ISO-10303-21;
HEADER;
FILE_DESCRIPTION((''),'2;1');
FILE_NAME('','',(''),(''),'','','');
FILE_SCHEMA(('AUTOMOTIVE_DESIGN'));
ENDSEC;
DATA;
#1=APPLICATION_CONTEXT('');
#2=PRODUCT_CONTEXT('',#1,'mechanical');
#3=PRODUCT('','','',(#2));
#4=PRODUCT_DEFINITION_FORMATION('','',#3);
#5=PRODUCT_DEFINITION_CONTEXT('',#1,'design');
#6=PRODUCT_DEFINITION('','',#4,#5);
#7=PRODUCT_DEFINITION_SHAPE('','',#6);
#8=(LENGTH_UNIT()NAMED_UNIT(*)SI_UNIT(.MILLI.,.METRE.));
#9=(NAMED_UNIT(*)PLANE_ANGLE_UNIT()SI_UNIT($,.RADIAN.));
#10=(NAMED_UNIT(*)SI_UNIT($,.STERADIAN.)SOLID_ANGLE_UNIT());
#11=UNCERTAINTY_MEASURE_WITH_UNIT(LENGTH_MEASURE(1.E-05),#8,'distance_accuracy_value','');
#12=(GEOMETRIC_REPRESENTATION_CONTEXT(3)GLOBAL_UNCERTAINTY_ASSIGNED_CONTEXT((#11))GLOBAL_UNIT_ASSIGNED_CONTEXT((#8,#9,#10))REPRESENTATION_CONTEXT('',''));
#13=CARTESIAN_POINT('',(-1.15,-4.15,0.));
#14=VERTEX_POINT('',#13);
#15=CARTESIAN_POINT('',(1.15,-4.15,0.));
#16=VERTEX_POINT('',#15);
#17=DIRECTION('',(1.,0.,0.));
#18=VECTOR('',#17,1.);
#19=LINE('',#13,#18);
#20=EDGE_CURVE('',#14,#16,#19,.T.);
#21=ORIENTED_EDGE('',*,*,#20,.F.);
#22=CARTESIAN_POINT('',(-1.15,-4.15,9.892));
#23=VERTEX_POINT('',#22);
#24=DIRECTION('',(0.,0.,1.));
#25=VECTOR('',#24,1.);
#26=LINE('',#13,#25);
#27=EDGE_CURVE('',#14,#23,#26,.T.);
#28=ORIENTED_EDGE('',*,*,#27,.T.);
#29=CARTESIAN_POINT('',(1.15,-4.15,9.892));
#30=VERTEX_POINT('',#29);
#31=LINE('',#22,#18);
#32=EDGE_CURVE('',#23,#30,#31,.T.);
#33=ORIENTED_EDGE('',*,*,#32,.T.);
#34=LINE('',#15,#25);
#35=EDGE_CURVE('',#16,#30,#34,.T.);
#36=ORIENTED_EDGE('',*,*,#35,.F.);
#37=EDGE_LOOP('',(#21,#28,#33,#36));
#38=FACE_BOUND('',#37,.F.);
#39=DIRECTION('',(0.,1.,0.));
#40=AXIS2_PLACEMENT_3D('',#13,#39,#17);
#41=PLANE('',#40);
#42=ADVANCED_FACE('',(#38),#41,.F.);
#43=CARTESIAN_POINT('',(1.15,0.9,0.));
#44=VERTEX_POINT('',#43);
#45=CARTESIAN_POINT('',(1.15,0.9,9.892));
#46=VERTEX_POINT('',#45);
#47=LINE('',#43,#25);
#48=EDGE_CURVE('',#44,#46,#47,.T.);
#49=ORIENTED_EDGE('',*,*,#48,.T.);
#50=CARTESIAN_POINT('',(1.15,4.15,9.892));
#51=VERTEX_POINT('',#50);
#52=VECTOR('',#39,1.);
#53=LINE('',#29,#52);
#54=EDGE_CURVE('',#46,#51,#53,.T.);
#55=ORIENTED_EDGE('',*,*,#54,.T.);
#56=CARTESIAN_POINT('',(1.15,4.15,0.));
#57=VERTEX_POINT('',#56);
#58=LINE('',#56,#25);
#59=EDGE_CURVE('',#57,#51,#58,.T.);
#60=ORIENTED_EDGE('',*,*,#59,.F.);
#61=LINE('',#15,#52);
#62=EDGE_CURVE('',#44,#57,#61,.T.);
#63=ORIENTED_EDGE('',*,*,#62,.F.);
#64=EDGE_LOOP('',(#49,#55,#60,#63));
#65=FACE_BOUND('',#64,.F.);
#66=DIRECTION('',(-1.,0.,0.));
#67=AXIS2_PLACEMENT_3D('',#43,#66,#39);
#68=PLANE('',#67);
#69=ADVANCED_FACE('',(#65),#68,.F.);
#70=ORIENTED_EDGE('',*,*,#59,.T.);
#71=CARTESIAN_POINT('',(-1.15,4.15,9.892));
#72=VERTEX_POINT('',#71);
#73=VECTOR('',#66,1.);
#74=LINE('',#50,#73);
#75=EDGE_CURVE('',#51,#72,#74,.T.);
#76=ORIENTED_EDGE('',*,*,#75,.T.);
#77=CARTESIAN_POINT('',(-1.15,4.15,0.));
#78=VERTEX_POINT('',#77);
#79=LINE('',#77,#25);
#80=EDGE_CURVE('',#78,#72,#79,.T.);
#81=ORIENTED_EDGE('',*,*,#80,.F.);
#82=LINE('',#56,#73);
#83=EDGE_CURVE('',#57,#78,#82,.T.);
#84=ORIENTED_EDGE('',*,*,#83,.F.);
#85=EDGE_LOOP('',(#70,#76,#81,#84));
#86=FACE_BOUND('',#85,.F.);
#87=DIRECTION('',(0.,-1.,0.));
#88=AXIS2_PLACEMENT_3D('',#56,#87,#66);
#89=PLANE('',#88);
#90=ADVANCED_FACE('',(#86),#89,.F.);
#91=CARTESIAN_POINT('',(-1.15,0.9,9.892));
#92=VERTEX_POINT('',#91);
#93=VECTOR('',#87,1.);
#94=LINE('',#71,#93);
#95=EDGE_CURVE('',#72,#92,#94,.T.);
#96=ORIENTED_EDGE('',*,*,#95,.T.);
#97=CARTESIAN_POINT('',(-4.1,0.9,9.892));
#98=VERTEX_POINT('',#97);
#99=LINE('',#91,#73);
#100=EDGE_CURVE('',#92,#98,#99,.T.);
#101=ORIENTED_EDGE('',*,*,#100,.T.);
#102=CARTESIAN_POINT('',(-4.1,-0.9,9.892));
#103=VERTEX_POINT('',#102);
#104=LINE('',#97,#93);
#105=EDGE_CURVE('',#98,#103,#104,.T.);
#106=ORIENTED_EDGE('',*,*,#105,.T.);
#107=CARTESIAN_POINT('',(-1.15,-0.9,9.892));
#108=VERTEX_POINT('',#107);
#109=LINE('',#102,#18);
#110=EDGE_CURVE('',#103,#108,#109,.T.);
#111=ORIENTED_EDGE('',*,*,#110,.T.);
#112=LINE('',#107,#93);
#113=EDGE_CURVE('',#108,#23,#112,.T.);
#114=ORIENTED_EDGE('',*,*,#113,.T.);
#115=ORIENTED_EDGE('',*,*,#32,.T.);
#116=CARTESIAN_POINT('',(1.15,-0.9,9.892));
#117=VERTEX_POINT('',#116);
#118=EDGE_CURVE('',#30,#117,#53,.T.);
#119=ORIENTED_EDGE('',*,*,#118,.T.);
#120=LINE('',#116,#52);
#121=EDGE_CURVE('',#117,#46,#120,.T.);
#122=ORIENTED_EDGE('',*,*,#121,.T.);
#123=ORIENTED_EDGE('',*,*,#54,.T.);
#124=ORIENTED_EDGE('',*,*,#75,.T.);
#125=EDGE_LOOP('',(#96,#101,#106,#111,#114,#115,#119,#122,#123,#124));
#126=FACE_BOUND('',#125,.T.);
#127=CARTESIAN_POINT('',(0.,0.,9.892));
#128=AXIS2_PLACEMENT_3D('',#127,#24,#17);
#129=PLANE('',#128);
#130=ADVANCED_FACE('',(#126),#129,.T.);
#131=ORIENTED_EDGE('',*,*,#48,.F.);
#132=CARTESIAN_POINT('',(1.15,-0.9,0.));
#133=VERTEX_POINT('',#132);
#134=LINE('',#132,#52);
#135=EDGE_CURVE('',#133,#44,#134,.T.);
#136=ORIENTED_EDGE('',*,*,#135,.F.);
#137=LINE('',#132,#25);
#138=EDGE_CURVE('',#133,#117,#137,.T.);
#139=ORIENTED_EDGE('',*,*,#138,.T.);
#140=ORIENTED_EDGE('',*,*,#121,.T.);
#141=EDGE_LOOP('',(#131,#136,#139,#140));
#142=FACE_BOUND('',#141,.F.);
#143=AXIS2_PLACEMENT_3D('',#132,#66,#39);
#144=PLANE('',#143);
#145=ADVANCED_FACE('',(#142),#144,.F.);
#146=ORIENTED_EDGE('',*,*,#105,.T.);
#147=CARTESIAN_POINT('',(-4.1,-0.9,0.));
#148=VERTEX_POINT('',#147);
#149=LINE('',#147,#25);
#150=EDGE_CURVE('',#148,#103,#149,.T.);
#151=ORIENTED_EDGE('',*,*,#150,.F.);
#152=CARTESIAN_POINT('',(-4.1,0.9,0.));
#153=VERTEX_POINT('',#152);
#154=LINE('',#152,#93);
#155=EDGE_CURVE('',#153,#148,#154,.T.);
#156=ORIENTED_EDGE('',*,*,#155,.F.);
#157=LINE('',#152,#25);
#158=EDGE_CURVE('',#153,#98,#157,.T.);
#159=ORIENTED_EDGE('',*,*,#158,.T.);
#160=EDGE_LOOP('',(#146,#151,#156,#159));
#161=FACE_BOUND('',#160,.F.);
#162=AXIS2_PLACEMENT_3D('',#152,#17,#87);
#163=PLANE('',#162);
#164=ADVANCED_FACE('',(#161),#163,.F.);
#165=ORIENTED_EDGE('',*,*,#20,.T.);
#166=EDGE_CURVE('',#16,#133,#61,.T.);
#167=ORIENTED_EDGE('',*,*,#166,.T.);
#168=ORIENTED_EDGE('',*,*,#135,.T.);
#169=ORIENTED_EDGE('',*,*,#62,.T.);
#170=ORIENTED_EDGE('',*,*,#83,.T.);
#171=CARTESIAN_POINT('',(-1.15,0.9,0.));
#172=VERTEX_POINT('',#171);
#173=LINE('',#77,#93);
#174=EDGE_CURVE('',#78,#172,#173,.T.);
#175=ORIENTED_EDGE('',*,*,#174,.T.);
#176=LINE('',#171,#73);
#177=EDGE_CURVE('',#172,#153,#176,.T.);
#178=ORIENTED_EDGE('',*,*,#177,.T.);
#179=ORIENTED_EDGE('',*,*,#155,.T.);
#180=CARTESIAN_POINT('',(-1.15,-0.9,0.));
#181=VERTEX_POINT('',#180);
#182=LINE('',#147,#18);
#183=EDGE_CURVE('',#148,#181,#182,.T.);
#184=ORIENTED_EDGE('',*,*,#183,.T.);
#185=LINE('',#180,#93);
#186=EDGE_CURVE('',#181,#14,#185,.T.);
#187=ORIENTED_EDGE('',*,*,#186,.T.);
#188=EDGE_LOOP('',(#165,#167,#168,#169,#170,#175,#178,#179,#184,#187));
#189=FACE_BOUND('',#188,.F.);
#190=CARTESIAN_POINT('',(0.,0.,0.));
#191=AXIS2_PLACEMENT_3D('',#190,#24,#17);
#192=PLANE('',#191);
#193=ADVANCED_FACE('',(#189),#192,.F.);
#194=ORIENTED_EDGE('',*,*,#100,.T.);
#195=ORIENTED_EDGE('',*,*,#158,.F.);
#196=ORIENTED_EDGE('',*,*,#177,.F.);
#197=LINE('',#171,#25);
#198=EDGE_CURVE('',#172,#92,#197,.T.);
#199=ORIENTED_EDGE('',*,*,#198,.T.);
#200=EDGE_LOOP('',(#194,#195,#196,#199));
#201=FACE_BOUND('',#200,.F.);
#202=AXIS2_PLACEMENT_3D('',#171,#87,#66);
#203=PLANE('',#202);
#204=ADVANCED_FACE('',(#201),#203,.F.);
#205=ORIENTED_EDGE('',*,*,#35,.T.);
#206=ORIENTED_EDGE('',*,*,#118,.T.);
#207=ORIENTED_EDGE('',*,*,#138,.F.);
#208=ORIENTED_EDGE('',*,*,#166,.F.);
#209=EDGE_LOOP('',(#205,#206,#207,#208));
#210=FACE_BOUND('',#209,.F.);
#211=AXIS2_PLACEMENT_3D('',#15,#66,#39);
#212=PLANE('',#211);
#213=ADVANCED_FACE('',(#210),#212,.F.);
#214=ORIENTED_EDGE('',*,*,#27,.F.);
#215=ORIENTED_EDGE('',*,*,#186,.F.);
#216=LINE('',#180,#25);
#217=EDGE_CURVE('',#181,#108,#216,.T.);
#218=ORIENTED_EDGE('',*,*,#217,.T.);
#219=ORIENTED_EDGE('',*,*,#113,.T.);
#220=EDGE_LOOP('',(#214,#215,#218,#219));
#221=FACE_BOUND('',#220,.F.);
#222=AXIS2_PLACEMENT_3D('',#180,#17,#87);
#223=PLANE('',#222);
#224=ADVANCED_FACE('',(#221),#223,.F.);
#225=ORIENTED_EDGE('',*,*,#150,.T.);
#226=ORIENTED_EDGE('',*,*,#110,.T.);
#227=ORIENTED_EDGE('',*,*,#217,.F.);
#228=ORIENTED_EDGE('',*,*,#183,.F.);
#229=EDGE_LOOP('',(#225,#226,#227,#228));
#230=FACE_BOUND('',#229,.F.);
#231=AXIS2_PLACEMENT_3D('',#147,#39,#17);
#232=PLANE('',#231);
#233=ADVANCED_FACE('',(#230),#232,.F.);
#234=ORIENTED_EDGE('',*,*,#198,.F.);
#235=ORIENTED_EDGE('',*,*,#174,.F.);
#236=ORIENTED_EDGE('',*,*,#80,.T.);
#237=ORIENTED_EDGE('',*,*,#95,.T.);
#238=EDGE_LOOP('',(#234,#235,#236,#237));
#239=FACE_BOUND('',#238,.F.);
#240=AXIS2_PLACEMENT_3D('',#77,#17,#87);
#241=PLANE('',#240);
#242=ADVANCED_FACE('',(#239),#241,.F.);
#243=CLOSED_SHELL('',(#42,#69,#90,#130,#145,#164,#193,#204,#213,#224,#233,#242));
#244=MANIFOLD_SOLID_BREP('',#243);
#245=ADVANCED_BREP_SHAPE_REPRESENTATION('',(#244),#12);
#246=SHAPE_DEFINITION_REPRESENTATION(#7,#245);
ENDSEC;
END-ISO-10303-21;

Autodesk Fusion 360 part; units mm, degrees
sketch "Sketch5" plane through (0, 0, 0) normal (0, 0, 1) x (1, 0, 0)
  line L0 (1.15, 4.15) -> (-1.15, 4.15)
  line L1 (-1.15, -4.15) -> (1.15, -4.15)
  line L2 (1.15, -4.15) -> (1.15, 4.15)
  line L3 (1.15, 4.15) -> (-1.15, -4.15) construction
  line L4 (-1.15, 4.15) -> (1.15, -4.15) construction
  line L5 (-4.1, 0.9) -> (-4.1, -0.9)
  line L6 (-4.1, -0.9) -> (-1.15, -0.9)
  line L7 (1.15, -0.9) -> (1.15, 0.9)
  line L8 (-1.15, 0.9) -> (-4.1, 0.9)
  line L9 (-1.15, 4.15) -> (-1.15, 0.9)
  line L10 (-1.15, -0.9) -> (-1.15, -4.15)
  dimension "d16" = 2.3
  dimension "d17" = 8.3
  dimension "d18" = 1.8
  dimension "d20" = 2.95
extrude "Extrude4" add sketch "Sketch5" along normal blind 9.892
equation "d16 = 2.5 mm - 0.2 mm"
equation "d17 = 8.60 mm - 0.3 mm"
equation "d18 = 2 mm - 0.2 mm"
equation "d20 = 3.05 mm - 0.1 mm"
equation "d21 = 8.092 mm - 0.2 mm + 2 mm"
